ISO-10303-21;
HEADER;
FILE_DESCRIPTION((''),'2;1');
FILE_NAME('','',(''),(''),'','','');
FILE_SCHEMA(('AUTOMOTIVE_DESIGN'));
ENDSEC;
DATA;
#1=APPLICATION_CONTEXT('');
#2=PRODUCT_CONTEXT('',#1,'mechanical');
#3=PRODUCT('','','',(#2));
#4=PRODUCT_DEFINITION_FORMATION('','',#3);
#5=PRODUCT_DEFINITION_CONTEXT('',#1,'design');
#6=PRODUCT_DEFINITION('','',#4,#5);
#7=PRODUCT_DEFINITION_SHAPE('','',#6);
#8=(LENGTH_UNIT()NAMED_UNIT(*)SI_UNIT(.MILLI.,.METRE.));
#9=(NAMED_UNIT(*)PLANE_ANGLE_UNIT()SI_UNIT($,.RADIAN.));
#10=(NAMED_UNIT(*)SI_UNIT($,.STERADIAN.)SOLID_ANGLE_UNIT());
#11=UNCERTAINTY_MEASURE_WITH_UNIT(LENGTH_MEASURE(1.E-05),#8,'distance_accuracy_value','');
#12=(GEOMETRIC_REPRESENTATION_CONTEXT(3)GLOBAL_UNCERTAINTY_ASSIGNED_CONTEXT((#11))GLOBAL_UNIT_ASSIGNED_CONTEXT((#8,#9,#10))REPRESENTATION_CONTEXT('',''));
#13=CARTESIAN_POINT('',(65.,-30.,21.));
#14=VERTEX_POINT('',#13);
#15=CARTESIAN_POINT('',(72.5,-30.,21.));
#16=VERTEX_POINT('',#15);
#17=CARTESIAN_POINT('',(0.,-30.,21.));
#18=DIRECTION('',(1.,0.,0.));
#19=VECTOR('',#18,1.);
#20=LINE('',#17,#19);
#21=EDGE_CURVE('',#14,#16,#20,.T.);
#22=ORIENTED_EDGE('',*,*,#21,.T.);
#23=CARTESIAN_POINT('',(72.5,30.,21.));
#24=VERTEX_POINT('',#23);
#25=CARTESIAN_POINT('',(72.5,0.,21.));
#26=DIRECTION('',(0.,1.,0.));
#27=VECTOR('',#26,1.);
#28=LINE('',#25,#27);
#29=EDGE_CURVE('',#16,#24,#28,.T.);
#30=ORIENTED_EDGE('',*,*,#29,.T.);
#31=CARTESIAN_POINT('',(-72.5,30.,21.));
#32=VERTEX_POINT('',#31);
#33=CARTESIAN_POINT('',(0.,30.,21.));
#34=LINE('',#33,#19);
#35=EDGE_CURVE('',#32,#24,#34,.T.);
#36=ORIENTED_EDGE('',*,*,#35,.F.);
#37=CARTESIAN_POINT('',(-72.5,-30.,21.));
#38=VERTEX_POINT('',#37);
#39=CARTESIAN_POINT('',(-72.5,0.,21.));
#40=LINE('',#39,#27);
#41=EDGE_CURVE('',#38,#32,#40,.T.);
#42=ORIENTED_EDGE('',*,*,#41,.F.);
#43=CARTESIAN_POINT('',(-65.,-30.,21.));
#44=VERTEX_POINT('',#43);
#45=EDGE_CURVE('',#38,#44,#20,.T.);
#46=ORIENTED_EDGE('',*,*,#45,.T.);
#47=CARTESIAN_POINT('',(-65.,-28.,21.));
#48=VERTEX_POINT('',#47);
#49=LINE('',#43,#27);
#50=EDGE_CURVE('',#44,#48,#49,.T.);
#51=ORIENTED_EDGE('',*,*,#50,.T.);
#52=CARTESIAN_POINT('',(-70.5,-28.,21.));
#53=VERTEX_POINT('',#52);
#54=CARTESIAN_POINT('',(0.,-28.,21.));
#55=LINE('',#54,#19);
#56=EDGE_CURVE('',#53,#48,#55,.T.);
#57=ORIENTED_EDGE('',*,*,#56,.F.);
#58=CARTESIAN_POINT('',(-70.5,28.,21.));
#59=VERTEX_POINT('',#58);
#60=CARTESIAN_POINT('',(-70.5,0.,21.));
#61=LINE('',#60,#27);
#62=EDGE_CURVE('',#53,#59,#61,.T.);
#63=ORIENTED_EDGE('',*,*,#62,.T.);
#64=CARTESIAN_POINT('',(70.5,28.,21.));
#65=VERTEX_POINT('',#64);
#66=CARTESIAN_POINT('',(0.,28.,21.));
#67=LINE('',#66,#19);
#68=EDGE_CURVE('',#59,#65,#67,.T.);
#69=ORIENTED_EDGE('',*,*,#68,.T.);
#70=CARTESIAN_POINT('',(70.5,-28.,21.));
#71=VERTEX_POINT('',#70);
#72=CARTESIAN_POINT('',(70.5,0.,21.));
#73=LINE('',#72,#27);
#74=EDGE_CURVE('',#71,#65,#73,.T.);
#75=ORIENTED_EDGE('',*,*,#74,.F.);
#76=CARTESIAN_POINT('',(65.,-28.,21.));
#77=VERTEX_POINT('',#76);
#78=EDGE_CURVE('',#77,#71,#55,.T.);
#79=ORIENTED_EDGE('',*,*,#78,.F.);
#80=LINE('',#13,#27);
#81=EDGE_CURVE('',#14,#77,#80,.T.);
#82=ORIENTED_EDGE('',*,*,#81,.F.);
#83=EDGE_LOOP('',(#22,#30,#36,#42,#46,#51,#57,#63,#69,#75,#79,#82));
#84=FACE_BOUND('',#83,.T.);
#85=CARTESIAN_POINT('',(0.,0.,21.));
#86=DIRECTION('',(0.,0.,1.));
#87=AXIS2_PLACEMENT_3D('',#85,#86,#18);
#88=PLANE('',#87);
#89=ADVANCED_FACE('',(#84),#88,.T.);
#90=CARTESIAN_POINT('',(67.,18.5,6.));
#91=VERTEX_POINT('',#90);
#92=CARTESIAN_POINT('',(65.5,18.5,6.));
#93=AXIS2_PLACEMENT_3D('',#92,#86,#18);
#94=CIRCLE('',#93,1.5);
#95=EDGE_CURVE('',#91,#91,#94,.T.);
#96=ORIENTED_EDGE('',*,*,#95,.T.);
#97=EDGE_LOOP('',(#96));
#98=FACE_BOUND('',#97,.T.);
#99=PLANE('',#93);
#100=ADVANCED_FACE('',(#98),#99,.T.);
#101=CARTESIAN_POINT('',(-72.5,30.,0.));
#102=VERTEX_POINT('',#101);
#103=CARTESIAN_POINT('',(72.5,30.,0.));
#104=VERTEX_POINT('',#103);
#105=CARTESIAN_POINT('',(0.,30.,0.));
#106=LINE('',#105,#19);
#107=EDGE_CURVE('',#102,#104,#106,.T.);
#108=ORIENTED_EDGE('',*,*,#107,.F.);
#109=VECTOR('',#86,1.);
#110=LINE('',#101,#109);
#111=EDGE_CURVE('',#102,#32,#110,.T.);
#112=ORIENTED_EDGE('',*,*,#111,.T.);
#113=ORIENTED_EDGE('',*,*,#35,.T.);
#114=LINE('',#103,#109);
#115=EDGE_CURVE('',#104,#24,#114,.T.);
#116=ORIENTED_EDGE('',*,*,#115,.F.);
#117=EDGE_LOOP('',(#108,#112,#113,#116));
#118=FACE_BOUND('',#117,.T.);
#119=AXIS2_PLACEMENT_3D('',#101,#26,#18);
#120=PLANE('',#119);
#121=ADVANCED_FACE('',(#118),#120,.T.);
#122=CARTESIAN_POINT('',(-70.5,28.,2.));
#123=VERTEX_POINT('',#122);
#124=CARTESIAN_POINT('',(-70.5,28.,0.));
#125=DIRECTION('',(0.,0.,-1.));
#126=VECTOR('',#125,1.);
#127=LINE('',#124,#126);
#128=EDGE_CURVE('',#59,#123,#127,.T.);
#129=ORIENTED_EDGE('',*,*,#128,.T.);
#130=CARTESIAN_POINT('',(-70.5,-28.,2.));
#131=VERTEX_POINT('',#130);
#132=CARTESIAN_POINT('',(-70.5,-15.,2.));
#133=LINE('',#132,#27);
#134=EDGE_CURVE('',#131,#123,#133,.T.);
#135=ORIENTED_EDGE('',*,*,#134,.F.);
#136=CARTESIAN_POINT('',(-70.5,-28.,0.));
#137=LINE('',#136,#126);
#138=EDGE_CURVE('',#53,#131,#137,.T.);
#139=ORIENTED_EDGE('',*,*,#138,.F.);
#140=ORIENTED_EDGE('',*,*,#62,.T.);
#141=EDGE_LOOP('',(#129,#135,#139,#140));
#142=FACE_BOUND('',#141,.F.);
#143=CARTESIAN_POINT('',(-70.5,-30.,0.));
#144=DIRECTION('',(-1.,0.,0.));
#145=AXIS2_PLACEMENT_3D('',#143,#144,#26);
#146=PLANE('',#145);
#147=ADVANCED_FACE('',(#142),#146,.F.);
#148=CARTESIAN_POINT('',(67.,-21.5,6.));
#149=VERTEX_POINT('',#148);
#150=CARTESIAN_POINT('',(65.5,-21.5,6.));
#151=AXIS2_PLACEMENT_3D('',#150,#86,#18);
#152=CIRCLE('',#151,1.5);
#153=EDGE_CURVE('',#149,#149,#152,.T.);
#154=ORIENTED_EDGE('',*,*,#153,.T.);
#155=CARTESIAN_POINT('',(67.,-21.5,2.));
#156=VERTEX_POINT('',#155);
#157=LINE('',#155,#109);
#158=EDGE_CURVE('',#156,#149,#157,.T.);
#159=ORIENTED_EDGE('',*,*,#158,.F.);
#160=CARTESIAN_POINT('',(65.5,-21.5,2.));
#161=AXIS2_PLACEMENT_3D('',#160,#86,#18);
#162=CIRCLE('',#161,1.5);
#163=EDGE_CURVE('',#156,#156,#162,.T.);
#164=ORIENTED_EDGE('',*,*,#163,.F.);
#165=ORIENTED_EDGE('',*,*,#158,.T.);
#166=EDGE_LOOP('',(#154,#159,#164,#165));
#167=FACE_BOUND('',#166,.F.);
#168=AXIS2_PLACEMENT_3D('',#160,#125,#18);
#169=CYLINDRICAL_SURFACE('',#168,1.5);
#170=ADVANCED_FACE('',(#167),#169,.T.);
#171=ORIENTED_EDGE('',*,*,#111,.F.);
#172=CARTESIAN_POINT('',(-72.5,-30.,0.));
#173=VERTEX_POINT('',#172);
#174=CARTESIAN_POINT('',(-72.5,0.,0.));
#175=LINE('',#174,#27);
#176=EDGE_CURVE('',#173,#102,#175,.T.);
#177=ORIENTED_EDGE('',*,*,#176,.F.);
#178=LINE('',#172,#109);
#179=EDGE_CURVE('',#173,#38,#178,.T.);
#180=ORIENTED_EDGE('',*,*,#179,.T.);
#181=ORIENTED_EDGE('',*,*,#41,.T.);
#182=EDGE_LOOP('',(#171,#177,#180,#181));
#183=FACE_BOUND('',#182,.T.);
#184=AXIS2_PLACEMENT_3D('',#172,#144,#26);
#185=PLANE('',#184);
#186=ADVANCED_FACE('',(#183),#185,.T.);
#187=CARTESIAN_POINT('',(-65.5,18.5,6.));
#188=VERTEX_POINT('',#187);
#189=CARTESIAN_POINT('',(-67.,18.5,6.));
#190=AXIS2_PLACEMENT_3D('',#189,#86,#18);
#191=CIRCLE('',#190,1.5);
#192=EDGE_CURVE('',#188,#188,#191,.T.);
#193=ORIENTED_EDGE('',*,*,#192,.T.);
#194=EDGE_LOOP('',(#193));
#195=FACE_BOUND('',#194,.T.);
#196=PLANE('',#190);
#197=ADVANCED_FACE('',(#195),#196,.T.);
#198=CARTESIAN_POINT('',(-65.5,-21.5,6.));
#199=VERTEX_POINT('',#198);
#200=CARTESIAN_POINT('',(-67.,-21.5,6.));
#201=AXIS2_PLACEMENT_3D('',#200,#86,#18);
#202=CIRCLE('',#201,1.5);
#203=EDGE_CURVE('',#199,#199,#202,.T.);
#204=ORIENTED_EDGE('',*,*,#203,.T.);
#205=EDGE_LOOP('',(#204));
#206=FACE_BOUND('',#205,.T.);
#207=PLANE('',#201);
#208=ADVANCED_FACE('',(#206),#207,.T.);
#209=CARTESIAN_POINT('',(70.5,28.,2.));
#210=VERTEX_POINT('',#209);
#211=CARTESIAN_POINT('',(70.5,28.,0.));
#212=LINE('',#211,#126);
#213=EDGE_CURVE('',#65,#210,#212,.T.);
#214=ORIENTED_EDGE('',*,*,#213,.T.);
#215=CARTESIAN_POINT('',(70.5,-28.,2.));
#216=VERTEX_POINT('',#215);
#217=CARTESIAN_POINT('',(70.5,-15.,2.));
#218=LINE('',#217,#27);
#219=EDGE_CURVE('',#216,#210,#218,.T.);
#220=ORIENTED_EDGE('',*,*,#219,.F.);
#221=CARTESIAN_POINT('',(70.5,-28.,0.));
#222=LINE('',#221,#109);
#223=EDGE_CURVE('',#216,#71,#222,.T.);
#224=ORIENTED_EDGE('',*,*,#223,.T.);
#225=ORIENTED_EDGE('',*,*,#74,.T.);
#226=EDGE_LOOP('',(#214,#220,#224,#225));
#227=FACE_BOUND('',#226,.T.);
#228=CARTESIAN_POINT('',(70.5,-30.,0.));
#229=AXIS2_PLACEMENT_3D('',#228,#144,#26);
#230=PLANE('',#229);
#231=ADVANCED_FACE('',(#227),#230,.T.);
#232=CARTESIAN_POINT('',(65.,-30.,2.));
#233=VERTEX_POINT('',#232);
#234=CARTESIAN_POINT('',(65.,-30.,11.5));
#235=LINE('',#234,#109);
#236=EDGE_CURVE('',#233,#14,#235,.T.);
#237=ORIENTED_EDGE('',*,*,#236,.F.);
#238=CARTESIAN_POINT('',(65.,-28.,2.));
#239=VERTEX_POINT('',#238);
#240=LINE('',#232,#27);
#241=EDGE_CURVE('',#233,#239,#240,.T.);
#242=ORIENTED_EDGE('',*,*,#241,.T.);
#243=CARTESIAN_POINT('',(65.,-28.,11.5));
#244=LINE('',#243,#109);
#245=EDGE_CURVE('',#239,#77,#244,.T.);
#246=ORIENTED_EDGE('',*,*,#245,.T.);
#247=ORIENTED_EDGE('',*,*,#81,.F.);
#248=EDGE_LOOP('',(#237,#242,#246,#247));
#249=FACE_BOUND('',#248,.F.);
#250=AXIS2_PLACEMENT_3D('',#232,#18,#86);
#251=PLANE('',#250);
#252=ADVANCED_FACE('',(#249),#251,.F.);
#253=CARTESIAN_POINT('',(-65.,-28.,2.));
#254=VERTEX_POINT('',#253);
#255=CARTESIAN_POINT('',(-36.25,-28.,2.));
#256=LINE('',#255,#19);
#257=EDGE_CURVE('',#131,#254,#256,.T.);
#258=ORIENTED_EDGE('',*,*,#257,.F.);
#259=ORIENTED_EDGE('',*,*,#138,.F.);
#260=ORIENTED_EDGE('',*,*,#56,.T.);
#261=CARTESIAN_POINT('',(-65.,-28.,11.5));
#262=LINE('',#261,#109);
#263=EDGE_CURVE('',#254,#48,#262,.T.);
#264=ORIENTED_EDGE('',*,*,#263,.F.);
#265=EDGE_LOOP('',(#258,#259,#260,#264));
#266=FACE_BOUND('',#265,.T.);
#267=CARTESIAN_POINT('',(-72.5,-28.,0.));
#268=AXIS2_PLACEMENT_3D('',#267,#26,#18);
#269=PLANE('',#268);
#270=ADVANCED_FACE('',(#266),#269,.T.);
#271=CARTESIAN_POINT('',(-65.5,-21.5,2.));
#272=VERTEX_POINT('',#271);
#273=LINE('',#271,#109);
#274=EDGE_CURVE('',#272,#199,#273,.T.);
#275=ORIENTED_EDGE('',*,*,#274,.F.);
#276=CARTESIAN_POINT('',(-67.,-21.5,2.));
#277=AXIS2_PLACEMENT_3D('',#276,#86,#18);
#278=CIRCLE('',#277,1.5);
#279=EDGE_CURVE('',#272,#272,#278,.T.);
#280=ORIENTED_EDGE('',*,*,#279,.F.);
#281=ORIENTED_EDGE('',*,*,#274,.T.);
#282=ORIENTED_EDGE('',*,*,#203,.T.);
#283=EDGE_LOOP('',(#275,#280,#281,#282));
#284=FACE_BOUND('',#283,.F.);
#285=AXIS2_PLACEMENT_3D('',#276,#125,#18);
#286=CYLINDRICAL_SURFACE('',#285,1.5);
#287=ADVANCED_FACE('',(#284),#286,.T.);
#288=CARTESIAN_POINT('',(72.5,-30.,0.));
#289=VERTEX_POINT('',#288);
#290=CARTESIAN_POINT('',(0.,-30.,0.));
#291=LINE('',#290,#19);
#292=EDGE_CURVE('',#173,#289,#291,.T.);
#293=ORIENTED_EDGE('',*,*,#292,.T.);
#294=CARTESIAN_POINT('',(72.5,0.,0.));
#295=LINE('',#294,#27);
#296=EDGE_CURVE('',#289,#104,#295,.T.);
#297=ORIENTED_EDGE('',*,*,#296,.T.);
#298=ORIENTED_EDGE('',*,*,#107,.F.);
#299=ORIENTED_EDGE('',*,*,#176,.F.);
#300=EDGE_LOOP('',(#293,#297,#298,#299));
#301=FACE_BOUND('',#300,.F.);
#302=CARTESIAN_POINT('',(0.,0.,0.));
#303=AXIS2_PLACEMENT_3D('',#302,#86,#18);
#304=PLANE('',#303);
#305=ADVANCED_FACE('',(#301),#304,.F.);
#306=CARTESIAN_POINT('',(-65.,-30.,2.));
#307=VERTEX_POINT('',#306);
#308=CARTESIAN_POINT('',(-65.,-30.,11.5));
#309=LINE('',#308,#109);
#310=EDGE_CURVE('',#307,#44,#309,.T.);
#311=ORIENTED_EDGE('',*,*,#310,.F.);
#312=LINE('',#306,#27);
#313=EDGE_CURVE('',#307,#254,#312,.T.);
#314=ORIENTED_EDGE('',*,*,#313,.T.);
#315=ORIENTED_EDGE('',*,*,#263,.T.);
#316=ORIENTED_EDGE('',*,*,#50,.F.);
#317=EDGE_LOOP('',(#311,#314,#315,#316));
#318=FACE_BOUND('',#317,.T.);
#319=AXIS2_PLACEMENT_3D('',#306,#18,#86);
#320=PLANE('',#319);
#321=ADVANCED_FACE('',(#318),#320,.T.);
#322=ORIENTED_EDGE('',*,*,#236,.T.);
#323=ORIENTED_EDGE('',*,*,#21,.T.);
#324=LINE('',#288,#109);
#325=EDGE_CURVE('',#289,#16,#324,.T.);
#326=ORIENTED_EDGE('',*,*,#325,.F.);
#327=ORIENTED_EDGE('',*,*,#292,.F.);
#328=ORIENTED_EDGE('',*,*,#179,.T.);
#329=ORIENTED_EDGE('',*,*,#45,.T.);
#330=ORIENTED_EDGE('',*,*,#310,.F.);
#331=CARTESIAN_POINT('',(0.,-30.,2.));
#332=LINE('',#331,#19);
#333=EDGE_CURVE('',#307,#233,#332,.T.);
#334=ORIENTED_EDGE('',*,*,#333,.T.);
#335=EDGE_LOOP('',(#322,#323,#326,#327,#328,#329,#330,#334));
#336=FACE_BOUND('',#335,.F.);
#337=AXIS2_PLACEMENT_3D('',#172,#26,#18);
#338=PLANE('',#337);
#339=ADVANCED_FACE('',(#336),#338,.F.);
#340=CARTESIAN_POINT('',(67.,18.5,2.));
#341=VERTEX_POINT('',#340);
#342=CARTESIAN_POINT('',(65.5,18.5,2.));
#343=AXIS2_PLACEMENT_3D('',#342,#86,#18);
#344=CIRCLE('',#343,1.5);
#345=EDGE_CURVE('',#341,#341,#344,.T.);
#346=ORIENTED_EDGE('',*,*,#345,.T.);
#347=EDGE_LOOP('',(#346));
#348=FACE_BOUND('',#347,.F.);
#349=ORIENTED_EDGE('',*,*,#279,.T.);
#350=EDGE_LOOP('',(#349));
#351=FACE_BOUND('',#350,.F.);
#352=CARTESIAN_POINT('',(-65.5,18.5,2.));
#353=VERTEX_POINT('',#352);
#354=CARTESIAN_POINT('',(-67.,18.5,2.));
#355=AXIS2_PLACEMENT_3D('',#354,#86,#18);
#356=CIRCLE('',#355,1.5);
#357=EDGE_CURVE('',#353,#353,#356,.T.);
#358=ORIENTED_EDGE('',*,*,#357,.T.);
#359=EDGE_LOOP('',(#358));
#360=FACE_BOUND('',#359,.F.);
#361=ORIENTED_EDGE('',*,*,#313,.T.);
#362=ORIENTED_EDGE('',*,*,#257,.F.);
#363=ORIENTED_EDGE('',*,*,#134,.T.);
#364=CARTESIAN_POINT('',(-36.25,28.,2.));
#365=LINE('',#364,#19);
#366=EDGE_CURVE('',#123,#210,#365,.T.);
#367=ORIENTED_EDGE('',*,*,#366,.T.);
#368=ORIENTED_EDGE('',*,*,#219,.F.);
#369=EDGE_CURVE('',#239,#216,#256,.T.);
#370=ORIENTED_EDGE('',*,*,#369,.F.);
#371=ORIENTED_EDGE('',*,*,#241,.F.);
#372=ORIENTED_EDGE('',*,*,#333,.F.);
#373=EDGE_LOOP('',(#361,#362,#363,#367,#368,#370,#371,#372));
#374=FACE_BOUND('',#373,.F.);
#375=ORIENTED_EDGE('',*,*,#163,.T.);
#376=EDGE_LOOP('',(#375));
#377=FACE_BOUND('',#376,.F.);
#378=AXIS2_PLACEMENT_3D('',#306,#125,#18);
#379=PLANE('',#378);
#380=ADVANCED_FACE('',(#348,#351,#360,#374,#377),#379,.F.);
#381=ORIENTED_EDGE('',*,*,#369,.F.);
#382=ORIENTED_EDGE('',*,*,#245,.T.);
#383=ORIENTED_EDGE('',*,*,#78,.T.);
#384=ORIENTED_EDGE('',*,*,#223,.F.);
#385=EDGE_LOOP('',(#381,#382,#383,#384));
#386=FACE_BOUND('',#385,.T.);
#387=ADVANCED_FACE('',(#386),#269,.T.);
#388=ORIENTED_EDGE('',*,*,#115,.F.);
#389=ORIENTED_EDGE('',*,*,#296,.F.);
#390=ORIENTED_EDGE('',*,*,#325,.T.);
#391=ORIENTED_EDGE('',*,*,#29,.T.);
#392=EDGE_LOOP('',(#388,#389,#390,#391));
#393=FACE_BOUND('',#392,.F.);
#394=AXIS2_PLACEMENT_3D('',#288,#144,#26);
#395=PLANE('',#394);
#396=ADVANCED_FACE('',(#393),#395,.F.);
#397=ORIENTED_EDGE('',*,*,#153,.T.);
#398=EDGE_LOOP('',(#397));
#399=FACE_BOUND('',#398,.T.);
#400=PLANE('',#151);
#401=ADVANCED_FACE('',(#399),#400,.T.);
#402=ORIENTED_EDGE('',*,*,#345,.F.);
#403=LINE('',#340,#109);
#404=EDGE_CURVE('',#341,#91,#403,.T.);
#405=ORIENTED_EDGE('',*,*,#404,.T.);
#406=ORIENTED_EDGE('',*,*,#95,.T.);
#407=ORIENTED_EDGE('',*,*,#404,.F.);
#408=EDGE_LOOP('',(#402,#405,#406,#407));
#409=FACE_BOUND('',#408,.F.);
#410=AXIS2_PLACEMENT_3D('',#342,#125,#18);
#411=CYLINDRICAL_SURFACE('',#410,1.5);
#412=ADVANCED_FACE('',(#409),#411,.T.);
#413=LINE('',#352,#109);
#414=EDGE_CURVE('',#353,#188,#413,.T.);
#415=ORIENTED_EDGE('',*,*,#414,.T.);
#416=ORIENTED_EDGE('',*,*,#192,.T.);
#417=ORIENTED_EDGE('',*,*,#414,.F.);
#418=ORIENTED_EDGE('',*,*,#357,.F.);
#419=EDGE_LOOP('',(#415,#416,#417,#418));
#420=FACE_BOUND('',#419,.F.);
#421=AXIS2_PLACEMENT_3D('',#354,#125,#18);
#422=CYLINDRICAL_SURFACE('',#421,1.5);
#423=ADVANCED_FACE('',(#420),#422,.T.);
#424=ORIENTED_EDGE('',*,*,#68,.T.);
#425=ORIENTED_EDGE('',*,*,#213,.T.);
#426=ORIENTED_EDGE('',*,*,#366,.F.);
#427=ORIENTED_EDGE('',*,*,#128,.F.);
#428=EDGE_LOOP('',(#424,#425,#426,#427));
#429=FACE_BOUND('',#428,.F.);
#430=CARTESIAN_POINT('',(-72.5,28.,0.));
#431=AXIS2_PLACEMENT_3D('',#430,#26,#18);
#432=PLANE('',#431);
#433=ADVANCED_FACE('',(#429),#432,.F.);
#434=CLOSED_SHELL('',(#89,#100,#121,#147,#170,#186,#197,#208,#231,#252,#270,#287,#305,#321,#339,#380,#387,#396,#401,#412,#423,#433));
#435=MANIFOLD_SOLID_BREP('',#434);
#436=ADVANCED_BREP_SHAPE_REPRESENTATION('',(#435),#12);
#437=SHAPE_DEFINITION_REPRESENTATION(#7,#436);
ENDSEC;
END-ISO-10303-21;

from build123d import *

# Parameters (mm, degrees)
SKETCH_W     = 145
SKETCH_H     = 60
PAD_DEPTH    = 21
THICKNESS_T  = -2
SKETCH001_W  = 130
SKETCH001_H  = 19
POCKET_DEPTH = 2
SKETCH002_R  = 1.5
PAD001_DEPTH = 4


with BuildPart() as part:
    # Sketch → Pad (new body)
    with BuildSketch(Plane.XY):
        Rectangle(SKETCH_W, SKETCH_H)
    extrude(amount=PAD_DEPTH)

    # Thickness
    thickness_openings = [part.faces().sort_by_distance(p)[0] for p in [
        (0, 0, 21),
    ]]
    offset(amount=THICKNESS_T, openings=thickness_openings)

    # Sketch001 (on Face3 of Thickness) → Pocket (cut)
    with BuildSketch(Plane.XZ.offset(30)):
        with Locations((0, 11.5)):
            Rectangle(SKETCH001_W, SKETCH001_H)
    extrude(amount=-POCKET_DEPTH, mode=Mode.SUBTRACT)

    # Sketch002 (on Face15 of Pocket) → Pad001 (join)
    with BuildSketch(Plane.XY.offset(2)):
        with Locations((-67, 18.5)):
            Circle(SKETCH002_R)
        with Locations((-67, -21.5)):
            Circle(SKETCH002_R)
        with Locations((65.5, 18.5)):
            Circle(SKETCH002_R)
        with Locations((65.5, -21.5)):
            Circle(SKETCH002_R)
    extrude(amount=PAD001_DEPTH)


solid = part.part
